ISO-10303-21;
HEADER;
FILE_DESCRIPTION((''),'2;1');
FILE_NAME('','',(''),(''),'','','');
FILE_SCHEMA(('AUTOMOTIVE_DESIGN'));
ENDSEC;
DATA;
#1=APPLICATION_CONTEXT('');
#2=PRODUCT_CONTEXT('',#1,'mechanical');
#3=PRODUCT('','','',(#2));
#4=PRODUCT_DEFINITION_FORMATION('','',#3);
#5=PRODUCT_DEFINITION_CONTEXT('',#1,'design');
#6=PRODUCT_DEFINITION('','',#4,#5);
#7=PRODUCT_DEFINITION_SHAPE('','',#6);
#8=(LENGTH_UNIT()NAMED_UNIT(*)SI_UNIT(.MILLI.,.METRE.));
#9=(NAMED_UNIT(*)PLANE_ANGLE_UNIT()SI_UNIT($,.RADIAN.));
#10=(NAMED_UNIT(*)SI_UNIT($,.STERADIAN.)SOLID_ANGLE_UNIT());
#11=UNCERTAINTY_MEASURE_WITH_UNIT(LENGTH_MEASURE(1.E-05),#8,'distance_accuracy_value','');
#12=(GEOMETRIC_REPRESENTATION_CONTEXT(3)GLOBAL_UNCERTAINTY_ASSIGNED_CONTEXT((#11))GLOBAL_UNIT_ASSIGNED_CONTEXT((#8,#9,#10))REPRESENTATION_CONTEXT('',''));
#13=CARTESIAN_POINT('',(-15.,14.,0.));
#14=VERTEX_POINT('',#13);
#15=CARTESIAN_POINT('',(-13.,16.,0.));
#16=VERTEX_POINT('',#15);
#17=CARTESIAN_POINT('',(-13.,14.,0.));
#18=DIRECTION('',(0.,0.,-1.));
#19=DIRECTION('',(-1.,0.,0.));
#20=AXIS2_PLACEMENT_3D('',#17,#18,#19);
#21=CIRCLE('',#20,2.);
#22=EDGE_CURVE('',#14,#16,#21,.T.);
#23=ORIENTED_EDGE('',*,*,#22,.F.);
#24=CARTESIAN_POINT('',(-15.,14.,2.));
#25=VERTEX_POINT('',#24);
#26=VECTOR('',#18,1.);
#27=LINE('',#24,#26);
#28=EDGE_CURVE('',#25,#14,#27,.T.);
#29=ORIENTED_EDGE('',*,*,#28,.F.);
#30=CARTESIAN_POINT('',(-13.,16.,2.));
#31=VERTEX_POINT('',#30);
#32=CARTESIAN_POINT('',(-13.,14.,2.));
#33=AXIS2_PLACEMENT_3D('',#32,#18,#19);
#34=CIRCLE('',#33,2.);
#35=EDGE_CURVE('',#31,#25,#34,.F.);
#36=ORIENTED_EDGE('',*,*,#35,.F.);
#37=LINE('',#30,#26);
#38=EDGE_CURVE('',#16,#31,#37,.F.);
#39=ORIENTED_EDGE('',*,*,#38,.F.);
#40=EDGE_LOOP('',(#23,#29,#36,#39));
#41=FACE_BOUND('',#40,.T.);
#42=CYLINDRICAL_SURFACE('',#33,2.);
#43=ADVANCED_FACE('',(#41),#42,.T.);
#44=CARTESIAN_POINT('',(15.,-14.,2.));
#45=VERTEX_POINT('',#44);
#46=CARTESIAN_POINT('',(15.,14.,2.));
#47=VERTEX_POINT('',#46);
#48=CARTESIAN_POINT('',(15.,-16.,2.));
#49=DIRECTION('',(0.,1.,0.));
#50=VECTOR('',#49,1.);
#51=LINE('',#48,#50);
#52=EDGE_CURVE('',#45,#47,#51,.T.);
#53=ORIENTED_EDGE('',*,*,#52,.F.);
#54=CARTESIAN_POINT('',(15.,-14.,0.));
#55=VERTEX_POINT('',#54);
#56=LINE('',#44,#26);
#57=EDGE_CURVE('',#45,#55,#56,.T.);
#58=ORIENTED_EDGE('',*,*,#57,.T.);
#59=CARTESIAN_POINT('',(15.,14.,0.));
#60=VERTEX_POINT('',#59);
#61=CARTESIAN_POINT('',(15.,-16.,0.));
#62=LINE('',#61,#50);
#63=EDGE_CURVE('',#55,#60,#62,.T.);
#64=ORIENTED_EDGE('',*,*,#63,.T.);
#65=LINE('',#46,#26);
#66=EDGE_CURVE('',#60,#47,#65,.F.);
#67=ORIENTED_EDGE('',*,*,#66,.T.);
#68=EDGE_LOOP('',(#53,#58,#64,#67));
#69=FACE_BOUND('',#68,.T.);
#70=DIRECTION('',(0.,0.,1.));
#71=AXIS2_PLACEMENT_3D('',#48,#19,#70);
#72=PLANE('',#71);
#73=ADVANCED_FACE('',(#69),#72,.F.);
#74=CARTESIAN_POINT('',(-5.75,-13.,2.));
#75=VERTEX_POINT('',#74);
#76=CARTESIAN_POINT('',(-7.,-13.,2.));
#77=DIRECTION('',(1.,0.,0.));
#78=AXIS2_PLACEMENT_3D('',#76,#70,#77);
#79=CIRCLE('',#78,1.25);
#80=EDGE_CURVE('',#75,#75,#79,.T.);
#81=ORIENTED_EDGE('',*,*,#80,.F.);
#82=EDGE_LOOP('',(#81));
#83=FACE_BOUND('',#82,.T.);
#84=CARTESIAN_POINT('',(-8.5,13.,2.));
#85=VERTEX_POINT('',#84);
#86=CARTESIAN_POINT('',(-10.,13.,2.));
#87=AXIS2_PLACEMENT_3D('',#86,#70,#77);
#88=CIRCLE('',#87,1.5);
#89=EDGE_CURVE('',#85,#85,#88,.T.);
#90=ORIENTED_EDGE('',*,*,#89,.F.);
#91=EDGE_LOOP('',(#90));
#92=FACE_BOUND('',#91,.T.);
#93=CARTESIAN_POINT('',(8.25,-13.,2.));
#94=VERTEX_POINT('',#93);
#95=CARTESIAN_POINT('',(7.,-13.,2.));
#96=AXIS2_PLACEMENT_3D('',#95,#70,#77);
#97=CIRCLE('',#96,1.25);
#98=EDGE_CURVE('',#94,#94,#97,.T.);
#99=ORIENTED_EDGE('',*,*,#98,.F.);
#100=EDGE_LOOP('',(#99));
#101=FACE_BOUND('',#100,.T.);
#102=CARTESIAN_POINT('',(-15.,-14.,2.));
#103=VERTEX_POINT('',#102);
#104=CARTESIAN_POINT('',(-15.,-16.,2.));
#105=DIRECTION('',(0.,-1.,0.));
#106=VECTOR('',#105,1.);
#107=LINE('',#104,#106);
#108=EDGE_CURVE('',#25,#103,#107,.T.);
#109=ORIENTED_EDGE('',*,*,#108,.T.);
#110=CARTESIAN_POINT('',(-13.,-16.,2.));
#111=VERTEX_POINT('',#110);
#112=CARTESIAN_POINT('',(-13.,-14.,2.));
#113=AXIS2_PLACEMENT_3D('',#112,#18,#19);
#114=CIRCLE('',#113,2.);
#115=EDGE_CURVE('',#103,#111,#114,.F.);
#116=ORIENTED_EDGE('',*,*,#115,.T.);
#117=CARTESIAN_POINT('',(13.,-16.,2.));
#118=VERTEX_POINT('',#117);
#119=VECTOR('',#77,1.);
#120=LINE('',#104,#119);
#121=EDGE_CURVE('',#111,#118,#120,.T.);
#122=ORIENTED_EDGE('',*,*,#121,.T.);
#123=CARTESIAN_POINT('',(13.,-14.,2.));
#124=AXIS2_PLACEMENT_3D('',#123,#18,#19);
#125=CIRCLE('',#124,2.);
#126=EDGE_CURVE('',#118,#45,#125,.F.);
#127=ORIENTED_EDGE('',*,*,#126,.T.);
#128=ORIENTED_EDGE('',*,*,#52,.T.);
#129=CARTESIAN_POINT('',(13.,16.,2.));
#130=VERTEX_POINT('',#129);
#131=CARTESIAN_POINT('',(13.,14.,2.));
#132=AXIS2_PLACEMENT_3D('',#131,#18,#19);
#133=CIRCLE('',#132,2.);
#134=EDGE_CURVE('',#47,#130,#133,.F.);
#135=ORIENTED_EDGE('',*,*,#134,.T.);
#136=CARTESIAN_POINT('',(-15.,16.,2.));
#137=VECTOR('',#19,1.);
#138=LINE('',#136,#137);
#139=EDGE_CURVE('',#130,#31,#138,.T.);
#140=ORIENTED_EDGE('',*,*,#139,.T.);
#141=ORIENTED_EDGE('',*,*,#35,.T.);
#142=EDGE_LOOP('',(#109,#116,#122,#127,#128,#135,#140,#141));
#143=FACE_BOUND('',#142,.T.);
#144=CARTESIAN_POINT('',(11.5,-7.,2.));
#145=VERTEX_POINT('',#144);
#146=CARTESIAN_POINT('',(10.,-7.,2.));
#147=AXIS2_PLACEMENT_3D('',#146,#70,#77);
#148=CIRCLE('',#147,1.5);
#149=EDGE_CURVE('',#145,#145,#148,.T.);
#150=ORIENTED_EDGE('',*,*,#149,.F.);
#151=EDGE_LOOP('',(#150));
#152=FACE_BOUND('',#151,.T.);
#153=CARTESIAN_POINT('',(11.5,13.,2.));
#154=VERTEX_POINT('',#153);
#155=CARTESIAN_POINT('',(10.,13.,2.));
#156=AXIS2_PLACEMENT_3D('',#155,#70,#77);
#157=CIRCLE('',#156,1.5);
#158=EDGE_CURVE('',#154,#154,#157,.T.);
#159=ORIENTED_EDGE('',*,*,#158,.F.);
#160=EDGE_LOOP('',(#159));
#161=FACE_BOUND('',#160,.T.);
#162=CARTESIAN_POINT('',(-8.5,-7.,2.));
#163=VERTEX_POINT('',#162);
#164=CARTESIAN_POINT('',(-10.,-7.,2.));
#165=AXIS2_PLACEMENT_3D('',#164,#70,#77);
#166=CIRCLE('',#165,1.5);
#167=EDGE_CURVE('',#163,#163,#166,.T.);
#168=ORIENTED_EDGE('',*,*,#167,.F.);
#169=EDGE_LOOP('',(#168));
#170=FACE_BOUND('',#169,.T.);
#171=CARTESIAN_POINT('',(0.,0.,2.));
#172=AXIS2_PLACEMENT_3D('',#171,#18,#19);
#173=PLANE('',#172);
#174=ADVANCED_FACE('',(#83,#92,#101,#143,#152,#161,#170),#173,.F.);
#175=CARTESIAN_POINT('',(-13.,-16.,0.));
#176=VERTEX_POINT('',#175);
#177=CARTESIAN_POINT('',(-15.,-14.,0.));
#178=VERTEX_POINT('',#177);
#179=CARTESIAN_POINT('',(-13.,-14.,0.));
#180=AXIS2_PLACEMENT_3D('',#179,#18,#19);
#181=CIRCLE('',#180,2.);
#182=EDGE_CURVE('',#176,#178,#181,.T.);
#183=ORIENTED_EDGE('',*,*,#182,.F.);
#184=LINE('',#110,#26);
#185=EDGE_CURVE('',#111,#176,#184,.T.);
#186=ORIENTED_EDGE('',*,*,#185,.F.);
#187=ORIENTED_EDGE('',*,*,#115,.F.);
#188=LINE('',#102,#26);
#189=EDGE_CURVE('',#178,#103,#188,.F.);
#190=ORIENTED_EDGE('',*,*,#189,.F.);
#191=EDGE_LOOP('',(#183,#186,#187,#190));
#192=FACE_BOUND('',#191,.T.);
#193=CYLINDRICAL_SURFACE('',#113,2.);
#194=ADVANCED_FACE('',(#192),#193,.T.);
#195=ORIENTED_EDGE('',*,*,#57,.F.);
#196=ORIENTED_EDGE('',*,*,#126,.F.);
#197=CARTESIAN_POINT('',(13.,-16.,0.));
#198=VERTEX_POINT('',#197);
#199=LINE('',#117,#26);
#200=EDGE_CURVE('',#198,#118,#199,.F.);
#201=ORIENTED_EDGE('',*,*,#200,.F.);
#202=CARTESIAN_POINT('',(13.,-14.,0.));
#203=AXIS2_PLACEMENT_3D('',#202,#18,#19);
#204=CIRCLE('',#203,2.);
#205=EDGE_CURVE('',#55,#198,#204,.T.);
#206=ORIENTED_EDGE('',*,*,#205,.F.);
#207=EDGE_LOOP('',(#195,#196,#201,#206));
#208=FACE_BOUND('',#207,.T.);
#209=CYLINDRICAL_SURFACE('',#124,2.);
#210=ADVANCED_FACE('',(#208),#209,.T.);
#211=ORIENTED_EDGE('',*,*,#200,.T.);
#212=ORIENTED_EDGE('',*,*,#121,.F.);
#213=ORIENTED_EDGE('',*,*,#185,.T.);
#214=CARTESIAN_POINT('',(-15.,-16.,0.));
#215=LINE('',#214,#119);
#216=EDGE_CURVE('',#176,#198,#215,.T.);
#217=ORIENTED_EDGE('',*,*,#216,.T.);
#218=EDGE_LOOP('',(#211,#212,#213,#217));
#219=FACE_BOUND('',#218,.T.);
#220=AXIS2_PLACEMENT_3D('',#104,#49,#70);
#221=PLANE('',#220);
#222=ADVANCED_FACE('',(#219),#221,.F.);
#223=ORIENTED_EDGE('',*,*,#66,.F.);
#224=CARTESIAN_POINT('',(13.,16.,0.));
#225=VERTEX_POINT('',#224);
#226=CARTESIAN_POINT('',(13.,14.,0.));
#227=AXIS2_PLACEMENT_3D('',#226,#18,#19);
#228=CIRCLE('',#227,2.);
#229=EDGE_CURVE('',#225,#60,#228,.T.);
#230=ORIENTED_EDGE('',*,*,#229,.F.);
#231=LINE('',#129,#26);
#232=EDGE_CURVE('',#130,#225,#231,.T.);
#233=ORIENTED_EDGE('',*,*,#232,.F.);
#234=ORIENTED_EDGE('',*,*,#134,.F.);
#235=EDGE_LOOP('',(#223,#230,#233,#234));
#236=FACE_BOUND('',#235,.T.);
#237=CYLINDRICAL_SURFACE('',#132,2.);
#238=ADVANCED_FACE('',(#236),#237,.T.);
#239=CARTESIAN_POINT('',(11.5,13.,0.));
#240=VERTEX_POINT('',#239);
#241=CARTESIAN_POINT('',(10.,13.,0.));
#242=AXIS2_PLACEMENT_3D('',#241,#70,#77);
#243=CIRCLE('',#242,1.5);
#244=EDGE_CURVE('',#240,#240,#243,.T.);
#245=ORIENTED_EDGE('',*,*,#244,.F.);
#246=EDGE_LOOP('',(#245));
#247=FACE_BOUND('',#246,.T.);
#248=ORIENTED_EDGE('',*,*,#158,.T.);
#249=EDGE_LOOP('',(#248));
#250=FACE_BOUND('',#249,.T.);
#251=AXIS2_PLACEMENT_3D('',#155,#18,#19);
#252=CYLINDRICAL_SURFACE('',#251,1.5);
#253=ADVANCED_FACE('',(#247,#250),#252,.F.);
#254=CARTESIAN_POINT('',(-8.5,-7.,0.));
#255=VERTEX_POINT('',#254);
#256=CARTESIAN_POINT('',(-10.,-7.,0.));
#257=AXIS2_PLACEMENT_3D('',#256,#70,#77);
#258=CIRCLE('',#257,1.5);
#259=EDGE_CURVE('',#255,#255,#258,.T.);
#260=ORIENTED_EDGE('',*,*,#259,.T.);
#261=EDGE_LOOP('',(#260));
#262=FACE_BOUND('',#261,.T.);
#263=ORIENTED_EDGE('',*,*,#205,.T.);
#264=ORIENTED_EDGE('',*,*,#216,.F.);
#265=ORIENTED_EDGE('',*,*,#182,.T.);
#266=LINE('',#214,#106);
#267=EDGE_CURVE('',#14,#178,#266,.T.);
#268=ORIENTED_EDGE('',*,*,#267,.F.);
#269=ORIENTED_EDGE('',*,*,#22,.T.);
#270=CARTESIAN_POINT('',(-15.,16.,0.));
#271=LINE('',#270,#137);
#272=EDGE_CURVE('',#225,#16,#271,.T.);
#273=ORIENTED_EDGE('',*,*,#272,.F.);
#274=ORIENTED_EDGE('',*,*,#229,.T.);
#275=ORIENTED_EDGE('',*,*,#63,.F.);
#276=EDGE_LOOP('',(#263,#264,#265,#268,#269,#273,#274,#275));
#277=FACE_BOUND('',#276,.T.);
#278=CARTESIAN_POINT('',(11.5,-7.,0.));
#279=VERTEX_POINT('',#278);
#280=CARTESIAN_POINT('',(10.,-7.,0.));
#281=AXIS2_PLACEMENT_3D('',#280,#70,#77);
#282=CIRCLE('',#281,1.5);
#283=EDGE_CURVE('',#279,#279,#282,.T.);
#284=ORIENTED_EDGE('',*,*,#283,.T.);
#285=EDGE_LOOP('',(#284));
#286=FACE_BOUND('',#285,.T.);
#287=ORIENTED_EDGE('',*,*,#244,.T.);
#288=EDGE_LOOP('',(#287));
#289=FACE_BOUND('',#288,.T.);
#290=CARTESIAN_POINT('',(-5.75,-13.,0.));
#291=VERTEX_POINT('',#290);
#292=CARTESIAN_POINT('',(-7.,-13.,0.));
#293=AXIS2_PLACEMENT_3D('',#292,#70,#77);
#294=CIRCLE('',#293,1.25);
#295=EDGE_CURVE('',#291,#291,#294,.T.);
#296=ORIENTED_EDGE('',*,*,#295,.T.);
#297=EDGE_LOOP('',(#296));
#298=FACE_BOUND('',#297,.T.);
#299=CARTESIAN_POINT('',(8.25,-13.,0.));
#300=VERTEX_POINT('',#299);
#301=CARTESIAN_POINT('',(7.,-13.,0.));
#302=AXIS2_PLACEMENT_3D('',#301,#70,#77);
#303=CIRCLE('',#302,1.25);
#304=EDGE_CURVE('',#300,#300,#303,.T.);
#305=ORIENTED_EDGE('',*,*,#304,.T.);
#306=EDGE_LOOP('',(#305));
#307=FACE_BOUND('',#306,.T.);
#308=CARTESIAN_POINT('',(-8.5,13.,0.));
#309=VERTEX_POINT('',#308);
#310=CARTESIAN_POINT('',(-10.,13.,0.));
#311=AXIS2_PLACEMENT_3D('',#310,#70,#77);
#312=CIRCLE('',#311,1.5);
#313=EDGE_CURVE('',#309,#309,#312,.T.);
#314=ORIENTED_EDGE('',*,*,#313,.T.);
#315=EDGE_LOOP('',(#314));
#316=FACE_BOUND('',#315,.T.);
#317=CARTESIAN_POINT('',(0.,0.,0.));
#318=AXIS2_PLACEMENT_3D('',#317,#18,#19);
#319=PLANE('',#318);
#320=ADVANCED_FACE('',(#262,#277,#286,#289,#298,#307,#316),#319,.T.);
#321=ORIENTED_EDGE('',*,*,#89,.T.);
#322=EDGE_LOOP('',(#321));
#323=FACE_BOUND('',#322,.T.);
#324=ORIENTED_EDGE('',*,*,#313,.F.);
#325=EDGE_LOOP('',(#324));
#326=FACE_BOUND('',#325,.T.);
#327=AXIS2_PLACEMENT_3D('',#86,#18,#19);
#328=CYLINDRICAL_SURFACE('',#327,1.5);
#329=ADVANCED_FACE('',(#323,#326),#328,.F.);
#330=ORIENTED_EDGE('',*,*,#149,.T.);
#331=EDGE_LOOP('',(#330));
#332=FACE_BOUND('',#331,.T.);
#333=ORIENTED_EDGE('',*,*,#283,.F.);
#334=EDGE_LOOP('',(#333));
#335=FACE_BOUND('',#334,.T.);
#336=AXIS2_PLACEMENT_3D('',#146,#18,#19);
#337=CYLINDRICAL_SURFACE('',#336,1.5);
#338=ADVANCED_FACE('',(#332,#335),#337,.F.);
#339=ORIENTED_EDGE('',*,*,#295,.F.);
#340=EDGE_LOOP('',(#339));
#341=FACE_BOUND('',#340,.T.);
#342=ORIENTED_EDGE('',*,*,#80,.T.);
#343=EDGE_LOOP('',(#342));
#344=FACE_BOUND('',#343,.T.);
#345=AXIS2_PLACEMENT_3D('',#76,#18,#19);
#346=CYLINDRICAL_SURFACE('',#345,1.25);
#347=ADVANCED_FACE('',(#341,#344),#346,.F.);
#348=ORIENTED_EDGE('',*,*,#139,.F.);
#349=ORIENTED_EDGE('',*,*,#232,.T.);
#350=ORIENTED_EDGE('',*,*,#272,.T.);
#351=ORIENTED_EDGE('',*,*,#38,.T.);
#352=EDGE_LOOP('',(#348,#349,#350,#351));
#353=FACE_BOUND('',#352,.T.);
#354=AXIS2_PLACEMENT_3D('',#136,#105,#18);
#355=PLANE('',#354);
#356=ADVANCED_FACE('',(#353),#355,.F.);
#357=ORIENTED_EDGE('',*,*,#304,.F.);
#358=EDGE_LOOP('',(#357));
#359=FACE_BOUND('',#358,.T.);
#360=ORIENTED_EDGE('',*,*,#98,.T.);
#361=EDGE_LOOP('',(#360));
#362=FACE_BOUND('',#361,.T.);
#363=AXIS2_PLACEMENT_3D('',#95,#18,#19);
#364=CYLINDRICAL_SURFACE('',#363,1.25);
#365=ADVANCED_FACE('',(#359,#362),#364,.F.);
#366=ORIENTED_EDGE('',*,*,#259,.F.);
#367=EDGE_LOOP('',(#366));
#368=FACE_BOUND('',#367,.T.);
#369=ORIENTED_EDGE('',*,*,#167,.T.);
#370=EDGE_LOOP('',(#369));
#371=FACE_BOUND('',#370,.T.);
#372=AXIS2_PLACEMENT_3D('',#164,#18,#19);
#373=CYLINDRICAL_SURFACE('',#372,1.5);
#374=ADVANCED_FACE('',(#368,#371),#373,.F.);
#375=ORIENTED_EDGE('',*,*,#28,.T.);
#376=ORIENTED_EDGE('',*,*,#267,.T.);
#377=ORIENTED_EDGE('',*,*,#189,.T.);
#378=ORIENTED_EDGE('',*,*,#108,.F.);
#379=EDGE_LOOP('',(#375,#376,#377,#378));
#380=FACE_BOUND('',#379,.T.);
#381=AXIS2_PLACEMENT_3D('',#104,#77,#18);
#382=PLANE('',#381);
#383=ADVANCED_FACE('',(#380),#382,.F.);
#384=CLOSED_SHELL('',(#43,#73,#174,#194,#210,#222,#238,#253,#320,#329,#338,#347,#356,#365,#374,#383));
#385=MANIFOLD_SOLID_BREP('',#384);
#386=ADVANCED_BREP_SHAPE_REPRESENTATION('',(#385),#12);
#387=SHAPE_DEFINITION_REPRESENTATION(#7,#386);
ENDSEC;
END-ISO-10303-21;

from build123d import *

# Parameters (mm, degrees)
SKETCH_1_W      = 30
SKETCH_1_H      = 32
SKETCH_1_R      = 1.25
SKETCH_1_R_2    = 1.5
EXTRUDE_1_DEPTH = 2
FILLET_1_R      = 2


with BuildPart() as part:
    # ｽｹｯﾁ1 → ﾎﾞｽ - 押し出し1 (new body)
    with BuildSketch(Plane.XY):
        Rectangle(SKETCH_1_W, SKETCH_1_H)
        with Locations((-7, -13)):
            Circle(SKETCH_1_R, mode=Mode.SUBTRACT)
        with Locations((7, -13)):
            Circle(SKETCH_1_R, mode=Mode.SUBTRACT)
        with Locations((-10, -7)):
            Circle(SKETCH_1_R_2, mode=Mode.SUBTRACT)
        with Locations((-10, 13)):
            Circle(SKETCH_1_R_2, mode=Mode.SUBTRACT)
        with Locations((10, 13)):
            Circle(SKETCH_1_R_2, mode=Mode.SUBTRACT)
        with Locations((10, -7)):
            Circle(SKETCH_1_R_2, mode=Mode.SUBTRACT)
    extrude(amount=EXTRUDE_1_DEPTH)

    # ﾌｨﾚｯﾄ1
    fillet_1_edges = [part.edges().sort_by_distance(p)[0] for p in [
        (15, -16, 1),
        (-15, -16, 1),
        (-15, 16, 1),
        (15, 16, 1),
    ]]
    fillet(fillet_1_edges, radius=FILLET_1_R)


solid = part.part
